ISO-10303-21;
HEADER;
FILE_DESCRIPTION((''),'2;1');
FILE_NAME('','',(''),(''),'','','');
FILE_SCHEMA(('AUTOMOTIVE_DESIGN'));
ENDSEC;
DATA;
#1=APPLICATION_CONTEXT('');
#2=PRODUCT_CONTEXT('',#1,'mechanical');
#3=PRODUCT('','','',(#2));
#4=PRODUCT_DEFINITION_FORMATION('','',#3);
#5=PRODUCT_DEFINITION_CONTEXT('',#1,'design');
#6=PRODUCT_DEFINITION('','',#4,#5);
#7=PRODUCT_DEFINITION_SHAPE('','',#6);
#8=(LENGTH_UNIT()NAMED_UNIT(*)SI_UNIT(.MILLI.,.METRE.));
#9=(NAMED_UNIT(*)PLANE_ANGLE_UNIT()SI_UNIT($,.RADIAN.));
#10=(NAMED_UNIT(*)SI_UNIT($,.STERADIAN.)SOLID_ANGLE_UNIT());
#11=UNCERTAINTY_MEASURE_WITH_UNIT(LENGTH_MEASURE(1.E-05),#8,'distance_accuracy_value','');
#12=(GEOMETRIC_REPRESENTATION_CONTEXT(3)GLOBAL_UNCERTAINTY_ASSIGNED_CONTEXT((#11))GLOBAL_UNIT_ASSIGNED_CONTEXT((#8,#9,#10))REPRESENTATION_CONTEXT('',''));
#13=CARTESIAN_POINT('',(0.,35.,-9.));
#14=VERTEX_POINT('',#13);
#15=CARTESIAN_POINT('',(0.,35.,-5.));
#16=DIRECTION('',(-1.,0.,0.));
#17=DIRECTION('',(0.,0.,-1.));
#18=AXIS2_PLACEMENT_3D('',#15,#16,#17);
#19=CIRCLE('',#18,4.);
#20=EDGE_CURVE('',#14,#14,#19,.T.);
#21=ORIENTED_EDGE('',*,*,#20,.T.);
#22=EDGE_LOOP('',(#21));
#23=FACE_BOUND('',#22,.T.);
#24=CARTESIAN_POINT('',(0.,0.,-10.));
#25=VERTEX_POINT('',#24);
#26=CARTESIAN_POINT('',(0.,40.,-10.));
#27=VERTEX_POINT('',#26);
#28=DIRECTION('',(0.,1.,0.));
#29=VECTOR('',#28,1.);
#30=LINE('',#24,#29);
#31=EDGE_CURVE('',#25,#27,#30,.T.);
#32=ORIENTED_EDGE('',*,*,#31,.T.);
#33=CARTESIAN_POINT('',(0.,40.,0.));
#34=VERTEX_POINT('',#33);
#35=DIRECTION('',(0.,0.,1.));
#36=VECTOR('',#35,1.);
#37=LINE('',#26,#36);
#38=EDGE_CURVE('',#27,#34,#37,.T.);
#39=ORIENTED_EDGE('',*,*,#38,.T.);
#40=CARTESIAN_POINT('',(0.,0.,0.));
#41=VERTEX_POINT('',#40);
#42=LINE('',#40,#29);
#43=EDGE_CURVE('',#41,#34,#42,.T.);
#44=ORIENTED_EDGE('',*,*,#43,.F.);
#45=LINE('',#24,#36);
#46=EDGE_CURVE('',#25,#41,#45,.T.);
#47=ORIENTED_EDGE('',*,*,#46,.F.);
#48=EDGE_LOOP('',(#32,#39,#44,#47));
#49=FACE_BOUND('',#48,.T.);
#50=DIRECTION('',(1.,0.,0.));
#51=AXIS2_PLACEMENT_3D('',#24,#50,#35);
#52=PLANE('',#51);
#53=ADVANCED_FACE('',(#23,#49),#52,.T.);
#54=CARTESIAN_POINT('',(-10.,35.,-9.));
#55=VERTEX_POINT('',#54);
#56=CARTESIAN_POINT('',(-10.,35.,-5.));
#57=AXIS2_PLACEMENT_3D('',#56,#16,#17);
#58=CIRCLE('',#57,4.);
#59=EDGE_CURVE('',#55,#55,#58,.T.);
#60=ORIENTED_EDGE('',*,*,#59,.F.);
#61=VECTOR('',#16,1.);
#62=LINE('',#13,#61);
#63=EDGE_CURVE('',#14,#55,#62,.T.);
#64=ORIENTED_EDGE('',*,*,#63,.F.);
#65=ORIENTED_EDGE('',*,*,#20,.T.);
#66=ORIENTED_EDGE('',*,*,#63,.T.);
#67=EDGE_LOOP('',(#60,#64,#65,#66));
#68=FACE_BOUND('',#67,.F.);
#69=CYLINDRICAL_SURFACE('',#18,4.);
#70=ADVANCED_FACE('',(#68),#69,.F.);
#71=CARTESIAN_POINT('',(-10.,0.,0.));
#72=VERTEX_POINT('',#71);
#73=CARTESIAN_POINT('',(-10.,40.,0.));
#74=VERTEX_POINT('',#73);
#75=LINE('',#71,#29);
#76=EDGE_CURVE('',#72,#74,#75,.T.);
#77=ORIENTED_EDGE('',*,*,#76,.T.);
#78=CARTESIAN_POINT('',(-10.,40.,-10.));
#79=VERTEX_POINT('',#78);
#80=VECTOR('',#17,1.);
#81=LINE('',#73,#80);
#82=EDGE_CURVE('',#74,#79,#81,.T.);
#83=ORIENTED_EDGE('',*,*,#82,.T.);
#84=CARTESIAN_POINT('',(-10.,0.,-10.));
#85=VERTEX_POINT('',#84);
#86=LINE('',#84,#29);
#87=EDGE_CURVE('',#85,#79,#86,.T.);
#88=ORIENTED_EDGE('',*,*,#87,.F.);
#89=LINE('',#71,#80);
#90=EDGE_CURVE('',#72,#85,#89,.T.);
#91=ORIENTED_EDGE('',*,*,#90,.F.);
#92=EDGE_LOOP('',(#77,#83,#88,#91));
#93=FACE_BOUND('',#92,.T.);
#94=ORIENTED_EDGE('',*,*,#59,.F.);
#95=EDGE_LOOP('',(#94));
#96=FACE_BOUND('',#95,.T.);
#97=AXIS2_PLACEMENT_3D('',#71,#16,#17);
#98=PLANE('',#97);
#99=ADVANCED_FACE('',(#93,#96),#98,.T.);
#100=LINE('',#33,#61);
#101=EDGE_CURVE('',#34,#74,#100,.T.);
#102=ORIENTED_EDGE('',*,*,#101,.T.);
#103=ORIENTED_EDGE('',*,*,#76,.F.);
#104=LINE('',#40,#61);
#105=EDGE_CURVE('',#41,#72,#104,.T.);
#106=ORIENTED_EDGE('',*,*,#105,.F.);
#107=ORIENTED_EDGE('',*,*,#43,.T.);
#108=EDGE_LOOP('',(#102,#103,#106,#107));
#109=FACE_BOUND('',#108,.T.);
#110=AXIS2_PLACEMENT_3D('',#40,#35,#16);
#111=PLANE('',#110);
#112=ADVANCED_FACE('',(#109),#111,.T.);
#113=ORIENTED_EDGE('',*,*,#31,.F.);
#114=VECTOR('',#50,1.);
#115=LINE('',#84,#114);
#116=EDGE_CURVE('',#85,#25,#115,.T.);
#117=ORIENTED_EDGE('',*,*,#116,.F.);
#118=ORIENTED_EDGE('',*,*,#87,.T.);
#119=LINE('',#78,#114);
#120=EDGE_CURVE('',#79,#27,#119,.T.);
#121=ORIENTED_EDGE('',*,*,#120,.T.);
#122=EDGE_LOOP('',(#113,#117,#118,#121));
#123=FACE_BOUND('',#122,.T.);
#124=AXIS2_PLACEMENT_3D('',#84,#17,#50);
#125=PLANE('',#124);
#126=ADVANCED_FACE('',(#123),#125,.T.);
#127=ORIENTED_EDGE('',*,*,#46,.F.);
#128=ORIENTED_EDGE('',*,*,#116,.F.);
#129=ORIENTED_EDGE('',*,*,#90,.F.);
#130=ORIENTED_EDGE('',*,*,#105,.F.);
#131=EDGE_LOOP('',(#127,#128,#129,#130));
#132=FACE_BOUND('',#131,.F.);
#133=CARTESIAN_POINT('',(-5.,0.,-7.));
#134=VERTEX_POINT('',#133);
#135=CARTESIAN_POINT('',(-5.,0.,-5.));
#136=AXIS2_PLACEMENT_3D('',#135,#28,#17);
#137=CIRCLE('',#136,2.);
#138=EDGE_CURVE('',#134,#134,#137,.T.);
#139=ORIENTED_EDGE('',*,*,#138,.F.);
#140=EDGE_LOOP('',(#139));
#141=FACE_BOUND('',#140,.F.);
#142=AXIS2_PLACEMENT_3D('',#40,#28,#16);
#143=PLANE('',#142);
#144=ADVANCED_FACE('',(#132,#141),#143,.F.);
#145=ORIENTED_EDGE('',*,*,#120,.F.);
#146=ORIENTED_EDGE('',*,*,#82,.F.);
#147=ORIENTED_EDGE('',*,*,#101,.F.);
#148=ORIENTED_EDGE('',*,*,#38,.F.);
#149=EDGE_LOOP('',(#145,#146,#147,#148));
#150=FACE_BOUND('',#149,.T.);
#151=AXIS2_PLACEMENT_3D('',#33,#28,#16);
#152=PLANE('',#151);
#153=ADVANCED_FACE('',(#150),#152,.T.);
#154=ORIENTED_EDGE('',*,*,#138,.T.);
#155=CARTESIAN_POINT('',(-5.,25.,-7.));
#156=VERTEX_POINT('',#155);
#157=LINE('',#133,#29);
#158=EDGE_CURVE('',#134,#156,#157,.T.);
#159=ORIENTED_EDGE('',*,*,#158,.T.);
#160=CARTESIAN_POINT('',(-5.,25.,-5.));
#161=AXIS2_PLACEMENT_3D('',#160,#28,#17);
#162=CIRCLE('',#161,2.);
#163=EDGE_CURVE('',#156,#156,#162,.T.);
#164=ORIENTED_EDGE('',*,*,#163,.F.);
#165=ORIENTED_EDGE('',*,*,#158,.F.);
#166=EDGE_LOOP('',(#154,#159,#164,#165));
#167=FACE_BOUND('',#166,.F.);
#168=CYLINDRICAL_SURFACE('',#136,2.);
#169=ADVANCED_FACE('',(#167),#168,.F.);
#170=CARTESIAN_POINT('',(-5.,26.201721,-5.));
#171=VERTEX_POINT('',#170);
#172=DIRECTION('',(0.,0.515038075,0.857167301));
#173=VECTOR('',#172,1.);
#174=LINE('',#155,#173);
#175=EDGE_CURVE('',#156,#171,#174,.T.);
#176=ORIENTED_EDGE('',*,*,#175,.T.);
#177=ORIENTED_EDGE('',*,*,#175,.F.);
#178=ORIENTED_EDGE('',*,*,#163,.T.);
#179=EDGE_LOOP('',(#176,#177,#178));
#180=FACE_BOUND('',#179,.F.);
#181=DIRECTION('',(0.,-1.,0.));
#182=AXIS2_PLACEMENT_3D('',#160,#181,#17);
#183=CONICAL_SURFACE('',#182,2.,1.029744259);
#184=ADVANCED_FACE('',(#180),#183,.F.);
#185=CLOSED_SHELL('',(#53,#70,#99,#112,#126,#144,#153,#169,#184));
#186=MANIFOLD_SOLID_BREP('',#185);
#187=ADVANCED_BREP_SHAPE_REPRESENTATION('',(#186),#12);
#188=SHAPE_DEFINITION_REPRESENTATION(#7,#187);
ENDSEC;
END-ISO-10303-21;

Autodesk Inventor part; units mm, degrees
ref_plane "YZ Plane" through (0, 0, 0) normal (1, 0, 0) x (0, 1, 0)
ref_plane "XZ Plane" through (0, 0, 0) normal (0, 1, 0) x (-1, 0, 0)
ref_plane "XY Plane" through (0, 0, 0) normal (0, 0, 1) x (1, 0, 0)
sketch "Esquisse1" plane through (0, 0, 0) normal (0, 1, 0) x (-1, 0, 0)
  line L0 (0, 0) -> (10, 0)
  line L1 (10, 0) -> (10, -10)
  line L2 (10, -10) -> (0, -10)
  line L3 (0, -10) -> (0, 0)
  dimension "d0" = 10
  dimension "d1" = 10
extrude "Extrusion1" add sketch "Esquisse1" along normal blind 40
sketch "Esquisse2" plane through (0, 0, 0) normal (1, 0, 0) x (0, 0, -1)
  line L0 (10, 0) -> (0, 0) projected
  line L1 (0, 0) -> (0, 40) projected
  point P0 (5, 35)
  dimension "d4" = 35
  dimension "d5" = 5
hole "Perçage1" at (0, 35, -5) direction (-1, 0, 0) diameter 8 depth 10 tip angle 118
sketch "Esquisse3" plane through (0, 0, 0) normal (0, -1, 0) x (1, 0, 0)
  line L0 (-10, 0) -> (0, 0) projected
  line L1 (-10, 0) -> (-10, -10) projected
  point P0 (-5, -5)
  dimension "d13" = 5
  dimension "d14" = 5
hole "Perçage2" at (-5, 0, -5) direction (0, 1, 0) diameter 4 depth 25 tip angle 118
properties part number "SupportBarreCodeuse"
